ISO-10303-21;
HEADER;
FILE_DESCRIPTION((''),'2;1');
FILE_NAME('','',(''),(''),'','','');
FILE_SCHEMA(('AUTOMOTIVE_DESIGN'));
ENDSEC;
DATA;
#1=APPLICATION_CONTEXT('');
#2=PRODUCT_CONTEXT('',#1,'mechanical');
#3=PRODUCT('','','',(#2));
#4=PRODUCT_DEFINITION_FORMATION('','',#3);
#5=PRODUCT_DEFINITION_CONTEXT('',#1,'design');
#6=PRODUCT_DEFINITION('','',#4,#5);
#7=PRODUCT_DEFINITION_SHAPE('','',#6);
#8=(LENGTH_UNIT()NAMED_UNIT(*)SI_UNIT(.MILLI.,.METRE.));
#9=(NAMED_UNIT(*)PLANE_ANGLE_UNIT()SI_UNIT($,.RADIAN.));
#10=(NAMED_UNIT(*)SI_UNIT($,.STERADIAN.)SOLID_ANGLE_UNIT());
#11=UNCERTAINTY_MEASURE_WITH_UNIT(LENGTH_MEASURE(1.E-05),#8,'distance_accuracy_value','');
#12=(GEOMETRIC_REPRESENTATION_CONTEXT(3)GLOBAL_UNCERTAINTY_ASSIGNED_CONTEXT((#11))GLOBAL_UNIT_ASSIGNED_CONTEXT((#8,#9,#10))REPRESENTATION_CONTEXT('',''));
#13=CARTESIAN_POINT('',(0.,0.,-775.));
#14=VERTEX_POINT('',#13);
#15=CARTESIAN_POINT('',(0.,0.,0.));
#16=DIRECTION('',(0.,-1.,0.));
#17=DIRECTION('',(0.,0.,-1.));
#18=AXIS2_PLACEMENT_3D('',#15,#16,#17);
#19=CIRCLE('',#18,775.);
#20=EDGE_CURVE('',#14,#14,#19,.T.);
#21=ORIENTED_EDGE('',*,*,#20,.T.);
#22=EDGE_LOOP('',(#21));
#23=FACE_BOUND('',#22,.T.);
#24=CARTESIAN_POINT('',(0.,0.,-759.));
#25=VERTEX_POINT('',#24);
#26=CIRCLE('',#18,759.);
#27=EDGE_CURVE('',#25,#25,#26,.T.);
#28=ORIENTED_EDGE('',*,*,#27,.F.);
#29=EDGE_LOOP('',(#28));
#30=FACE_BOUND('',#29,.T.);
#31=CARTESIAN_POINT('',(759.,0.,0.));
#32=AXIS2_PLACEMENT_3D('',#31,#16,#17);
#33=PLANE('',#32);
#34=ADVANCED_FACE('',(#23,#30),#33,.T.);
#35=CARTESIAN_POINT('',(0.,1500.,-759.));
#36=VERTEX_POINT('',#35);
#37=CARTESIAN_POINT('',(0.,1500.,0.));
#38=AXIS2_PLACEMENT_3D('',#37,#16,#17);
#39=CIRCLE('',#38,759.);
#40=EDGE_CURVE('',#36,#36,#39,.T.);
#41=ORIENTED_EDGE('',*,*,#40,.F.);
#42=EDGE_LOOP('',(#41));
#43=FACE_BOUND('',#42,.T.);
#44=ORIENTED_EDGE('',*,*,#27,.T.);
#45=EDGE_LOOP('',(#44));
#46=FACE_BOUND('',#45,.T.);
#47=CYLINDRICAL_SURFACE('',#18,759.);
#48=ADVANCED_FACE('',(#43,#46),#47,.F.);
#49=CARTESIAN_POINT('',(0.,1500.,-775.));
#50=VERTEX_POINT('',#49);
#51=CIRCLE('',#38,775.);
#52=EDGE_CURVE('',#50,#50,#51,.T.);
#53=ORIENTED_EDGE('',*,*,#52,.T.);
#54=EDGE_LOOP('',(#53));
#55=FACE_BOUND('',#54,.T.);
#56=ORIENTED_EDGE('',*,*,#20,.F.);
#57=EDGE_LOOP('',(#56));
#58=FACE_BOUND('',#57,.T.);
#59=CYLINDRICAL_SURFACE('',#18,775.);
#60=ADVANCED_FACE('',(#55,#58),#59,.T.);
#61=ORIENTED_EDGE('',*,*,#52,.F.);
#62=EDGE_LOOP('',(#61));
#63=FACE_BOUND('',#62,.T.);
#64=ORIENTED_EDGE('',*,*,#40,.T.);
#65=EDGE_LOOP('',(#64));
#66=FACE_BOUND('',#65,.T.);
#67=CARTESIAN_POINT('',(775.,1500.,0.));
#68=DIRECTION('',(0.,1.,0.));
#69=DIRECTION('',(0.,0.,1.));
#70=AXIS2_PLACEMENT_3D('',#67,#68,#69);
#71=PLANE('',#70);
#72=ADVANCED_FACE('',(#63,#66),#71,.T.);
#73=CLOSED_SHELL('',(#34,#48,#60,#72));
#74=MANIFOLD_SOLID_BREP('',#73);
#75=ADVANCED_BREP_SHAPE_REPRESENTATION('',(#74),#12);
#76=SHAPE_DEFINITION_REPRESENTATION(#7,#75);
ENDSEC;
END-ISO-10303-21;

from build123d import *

# Parameters (mm, degrees)
SKETCH1_W = 16
SKETCH1_H = 1500


with BuildPart() as part:
    # Sketch1 → Revolve1 (revolve)
    with BuildSketch(Plane.XY, mode=Mode.PRIVATE) as revolve1_sk:
        with Locations((767, 750)):
            Rectangle(SKETCH1_W, SKETCH1_H)
    revolve(revolve1_sk.sketch.rotate(Axis((0, 0, 0), (0, 1, 0)), 90), axis=Axis((0, 0, 0), (0, 1, 0)))


solid = part.part
